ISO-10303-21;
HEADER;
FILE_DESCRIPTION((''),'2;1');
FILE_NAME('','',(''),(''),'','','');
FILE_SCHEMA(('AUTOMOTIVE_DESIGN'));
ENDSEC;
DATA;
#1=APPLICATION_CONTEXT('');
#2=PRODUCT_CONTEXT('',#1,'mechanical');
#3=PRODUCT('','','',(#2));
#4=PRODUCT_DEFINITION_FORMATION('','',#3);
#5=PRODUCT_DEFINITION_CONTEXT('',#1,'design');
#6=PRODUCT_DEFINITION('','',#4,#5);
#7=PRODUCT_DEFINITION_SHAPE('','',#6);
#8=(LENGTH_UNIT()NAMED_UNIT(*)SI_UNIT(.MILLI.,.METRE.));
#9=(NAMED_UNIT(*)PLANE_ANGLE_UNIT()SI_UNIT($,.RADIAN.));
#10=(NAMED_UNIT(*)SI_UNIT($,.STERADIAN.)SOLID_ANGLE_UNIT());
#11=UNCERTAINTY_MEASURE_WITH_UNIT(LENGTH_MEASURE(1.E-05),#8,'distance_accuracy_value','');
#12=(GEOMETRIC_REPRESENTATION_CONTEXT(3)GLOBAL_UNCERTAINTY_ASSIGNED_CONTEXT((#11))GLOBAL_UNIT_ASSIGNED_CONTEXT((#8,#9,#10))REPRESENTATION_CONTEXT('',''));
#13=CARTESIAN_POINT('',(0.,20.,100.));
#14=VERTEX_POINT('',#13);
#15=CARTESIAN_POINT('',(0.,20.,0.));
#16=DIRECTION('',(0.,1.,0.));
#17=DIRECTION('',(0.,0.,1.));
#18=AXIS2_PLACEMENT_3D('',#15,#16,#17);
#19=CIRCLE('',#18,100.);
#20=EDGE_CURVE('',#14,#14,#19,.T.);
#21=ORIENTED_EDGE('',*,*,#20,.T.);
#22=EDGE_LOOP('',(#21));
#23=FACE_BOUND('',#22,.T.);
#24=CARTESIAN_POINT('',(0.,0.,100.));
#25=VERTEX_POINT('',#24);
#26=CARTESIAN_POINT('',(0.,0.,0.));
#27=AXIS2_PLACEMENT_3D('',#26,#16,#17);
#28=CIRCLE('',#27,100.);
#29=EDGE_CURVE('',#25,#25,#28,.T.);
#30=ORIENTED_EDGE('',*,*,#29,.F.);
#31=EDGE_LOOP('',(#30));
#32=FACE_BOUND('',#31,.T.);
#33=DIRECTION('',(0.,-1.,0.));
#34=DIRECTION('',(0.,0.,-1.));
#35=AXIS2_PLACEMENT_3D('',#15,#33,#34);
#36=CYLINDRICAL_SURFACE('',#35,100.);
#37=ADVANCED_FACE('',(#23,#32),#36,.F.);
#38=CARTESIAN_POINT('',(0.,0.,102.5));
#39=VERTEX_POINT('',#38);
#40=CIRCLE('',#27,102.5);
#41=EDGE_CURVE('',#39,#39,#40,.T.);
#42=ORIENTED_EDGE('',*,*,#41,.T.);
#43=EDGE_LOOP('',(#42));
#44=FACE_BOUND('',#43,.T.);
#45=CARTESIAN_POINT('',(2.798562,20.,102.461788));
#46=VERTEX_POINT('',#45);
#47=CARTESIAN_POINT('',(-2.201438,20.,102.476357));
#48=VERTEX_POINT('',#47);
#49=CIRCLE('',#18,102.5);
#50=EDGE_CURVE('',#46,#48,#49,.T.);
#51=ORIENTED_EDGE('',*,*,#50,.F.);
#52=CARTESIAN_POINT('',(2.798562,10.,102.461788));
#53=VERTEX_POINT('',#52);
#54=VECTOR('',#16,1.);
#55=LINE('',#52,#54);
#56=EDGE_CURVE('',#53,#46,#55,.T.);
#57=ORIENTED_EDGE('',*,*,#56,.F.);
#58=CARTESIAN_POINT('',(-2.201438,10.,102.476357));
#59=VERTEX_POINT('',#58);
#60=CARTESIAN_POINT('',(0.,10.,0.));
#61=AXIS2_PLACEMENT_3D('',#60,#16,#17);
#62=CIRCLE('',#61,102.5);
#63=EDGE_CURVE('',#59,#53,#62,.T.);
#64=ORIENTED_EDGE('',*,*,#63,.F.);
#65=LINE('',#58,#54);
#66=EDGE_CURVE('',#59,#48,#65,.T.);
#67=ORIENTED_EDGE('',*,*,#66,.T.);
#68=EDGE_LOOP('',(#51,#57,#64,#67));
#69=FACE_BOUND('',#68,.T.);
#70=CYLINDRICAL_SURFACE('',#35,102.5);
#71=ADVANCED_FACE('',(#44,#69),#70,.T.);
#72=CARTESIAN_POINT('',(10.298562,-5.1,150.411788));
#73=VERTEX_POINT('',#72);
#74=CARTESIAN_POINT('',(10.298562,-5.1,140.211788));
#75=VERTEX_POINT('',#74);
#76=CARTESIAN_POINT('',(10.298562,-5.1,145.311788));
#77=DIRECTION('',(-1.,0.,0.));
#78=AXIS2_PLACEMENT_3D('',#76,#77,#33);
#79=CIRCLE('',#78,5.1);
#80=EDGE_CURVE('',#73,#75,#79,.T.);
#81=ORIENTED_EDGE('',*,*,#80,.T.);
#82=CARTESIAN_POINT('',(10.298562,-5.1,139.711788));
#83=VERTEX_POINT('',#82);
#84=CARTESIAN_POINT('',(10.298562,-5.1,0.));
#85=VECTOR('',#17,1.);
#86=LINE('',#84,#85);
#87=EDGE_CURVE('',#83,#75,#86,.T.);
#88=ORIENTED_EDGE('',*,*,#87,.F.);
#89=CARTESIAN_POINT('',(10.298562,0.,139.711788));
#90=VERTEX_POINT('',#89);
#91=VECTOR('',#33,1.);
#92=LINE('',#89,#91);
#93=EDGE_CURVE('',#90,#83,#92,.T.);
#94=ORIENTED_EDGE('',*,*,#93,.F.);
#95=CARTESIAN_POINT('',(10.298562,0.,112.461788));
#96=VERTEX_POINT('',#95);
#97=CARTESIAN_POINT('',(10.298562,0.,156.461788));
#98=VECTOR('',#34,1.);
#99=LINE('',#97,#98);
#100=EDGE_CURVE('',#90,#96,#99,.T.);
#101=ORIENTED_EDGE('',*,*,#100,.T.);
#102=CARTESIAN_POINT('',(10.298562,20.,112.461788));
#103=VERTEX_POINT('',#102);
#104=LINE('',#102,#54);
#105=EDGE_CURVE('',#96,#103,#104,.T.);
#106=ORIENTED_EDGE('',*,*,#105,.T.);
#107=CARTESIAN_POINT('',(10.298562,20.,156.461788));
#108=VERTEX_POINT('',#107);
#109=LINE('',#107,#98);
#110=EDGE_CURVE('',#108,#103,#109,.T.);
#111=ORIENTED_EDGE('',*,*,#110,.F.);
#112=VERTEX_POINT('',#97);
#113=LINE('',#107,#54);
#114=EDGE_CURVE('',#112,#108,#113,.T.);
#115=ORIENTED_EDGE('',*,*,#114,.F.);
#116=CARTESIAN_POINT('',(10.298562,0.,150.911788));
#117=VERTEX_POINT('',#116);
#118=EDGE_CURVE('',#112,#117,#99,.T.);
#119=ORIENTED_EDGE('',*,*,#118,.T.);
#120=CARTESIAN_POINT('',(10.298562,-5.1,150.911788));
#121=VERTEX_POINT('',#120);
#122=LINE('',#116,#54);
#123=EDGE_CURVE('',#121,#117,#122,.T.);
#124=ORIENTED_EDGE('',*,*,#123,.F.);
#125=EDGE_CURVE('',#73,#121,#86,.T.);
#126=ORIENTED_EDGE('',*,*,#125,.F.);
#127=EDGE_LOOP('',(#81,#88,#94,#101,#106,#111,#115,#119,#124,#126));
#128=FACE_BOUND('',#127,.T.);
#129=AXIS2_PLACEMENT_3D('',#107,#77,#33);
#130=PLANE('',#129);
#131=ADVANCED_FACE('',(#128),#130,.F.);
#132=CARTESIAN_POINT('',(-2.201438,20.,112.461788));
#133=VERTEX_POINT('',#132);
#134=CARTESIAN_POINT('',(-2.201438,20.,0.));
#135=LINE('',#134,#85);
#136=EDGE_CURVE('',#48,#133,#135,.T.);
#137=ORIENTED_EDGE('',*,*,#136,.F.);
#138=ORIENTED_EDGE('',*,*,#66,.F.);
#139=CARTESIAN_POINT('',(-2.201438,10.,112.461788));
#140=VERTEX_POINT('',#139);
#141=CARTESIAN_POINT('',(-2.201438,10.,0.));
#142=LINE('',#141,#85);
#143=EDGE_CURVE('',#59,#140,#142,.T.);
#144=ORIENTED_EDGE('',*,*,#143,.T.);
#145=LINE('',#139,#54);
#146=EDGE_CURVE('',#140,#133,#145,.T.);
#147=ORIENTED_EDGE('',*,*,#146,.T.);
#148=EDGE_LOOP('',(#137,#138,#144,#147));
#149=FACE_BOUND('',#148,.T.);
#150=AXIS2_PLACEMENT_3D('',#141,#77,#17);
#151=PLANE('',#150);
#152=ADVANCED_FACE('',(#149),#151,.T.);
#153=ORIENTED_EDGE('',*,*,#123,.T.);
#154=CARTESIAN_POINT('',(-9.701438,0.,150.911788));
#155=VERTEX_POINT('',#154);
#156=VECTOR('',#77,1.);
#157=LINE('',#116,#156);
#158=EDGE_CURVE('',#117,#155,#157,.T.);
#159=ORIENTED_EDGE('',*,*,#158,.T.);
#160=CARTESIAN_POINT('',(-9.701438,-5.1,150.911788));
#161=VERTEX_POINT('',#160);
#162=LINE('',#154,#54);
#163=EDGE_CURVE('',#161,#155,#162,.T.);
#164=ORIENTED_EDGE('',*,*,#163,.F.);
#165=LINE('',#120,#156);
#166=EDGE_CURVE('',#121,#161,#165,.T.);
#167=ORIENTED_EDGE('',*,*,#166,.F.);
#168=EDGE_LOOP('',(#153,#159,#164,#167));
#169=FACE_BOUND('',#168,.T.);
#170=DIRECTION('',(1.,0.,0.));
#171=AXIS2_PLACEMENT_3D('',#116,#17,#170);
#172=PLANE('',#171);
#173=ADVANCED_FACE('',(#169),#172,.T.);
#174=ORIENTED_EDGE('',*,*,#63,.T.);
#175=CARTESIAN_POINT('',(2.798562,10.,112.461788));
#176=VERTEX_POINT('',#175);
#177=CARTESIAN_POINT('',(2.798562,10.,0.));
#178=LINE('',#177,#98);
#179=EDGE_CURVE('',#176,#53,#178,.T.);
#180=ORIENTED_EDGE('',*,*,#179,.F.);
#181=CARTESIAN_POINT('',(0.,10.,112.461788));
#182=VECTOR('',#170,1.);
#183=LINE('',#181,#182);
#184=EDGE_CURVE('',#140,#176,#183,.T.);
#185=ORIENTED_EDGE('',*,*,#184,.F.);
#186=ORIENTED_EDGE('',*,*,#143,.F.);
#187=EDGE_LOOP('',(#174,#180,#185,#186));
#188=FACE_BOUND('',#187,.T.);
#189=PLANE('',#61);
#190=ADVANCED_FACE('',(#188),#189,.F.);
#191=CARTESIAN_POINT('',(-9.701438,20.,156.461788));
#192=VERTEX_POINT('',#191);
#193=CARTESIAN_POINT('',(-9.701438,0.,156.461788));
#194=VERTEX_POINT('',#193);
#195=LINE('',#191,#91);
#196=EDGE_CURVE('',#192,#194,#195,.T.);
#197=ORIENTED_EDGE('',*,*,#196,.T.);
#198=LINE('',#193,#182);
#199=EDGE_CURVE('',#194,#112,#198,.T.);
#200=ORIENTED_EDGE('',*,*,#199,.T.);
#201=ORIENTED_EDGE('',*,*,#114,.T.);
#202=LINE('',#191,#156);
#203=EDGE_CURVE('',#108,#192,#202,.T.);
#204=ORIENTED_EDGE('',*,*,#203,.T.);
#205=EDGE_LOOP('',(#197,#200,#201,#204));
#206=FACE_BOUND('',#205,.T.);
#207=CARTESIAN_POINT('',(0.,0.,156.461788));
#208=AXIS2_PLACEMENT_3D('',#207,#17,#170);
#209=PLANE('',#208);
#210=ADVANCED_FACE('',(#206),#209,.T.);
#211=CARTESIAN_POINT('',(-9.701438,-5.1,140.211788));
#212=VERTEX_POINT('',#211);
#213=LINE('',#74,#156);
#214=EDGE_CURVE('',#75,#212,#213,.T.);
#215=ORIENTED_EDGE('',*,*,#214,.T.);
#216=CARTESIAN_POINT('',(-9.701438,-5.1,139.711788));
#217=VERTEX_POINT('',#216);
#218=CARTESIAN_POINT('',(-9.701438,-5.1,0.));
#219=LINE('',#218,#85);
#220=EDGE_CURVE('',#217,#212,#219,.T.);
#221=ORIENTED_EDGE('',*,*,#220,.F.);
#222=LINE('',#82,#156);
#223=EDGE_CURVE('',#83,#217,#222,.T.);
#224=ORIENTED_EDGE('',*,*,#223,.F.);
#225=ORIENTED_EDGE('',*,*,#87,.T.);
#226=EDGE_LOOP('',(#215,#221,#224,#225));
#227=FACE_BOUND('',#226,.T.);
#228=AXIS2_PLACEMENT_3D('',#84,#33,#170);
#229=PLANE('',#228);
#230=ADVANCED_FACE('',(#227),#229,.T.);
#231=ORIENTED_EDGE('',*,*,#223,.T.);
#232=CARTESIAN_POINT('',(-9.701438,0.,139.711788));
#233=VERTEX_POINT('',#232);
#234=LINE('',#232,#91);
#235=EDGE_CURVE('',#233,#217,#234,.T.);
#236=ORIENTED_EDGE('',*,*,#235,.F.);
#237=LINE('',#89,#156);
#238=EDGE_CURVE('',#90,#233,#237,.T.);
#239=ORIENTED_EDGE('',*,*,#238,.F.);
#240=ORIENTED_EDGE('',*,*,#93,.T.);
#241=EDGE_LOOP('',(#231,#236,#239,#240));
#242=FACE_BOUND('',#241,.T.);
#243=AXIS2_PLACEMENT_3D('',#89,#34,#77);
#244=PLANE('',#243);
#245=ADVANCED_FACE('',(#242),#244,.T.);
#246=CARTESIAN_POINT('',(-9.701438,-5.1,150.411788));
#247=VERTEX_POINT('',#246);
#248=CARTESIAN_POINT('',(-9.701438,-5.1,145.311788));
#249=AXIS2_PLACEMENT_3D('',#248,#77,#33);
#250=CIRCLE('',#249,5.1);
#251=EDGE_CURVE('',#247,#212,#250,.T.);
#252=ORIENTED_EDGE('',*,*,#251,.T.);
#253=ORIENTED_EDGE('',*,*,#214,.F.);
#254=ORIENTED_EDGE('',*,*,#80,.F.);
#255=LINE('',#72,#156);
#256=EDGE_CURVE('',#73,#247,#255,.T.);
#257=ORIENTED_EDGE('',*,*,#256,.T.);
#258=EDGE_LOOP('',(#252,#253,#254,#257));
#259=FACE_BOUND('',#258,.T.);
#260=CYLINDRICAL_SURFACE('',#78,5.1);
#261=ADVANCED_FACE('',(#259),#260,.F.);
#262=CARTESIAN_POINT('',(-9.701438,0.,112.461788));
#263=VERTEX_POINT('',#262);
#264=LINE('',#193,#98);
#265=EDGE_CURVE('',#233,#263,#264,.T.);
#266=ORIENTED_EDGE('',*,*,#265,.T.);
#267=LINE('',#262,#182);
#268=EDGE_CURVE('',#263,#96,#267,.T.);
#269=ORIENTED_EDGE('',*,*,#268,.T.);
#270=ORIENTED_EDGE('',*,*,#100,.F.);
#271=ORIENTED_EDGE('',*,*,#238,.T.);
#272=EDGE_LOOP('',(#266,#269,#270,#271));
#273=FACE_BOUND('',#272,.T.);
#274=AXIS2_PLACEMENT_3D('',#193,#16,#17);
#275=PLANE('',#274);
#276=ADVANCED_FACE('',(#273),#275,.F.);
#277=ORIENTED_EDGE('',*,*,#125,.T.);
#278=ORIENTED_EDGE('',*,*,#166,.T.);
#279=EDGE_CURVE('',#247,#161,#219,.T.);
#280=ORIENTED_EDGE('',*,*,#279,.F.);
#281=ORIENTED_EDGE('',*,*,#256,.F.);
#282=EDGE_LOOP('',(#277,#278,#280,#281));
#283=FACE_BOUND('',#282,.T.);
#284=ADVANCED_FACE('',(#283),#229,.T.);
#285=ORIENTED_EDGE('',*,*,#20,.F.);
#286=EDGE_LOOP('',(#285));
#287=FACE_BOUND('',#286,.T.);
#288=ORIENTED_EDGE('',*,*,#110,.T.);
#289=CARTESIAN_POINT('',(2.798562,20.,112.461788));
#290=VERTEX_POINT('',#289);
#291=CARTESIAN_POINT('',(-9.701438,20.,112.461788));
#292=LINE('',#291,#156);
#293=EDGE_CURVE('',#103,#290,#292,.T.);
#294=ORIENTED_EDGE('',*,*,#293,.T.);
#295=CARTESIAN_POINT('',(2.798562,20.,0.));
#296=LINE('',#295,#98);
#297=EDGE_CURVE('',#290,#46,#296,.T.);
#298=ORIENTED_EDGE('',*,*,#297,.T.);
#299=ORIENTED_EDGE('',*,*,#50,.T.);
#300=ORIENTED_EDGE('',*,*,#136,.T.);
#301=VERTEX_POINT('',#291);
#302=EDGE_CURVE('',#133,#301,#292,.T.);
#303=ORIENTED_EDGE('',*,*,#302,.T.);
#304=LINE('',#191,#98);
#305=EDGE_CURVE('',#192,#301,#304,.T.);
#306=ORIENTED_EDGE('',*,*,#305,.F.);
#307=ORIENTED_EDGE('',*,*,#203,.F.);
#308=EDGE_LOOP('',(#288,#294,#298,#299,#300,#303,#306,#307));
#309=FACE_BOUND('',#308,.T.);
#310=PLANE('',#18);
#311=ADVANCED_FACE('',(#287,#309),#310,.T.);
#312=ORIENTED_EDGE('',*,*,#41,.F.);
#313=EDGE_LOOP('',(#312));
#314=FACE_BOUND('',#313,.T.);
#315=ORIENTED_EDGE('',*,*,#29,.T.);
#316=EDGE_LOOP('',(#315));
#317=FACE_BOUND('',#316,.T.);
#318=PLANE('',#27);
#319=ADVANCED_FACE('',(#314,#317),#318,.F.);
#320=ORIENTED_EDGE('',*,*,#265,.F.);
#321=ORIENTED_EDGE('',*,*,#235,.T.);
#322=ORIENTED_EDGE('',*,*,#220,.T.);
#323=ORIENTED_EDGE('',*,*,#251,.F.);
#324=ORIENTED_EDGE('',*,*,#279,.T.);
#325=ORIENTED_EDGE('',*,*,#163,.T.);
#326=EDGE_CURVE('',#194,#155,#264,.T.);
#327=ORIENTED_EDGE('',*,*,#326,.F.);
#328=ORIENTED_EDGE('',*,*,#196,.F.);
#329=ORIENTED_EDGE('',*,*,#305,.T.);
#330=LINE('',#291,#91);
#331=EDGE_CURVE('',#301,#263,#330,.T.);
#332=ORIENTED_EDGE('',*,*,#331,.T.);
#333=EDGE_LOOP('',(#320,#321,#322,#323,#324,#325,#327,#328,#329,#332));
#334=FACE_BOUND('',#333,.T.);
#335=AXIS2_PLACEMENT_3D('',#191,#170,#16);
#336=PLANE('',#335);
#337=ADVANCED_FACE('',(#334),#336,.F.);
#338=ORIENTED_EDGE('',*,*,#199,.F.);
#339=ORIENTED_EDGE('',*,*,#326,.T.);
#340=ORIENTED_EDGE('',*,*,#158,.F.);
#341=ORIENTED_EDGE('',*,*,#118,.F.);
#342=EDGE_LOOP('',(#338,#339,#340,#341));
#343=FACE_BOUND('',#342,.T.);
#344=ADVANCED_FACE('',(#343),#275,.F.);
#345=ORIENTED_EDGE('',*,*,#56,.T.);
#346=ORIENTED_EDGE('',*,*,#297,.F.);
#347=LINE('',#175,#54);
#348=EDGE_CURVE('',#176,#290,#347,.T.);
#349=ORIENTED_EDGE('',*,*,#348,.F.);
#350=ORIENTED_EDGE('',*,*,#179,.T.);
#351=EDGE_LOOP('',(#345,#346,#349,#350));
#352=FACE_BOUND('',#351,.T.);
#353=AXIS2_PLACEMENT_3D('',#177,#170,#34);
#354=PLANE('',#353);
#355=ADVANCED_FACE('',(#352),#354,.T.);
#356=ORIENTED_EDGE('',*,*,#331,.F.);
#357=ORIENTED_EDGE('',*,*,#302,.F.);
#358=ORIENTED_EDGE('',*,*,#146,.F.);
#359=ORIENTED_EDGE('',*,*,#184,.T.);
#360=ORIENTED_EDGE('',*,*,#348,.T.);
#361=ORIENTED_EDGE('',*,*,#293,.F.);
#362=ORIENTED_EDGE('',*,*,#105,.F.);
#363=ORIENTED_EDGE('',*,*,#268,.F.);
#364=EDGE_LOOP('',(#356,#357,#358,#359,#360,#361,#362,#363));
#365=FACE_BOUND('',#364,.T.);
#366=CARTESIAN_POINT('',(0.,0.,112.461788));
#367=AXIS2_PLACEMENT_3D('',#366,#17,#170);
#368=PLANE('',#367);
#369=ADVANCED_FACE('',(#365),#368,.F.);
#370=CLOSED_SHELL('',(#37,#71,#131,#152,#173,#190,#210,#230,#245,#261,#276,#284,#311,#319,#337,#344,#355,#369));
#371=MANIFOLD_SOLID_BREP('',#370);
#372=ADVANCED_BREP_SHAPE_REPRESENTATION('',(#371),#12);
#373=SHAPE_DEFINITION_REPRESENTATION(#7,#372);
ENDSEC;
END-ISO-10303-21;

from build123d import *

# Parameters (mm, degrees)
SKETCH1_R           = 102.5
SKETCH1_R_2         = 100
BOSS_EXTRUDE1_DEPTH = 20
BOSS_EXTRUDE2_START = -10
BOSS_EXTRUDE2_DEPTH = 10
SKETCH3_W           = 20
SKETCH3_H           = 20
BOSS_EXTRUDE3_DEPTH = 44
BOSS_EXTRUDE5_DEPTH = 20


with BuildPart() as part:
    # Sketch1 → Boss-Extrude1 (new body)
    with BuildSketch(Plane(origin=(0, 0, 0), x_dir=(1, 0, 0), z_dir=(0, 1, 0))):
        with Locations(Location((0, 0, 0), (0, 0, 270))):
            Circle(SKETCH1_R)
        with Locations(Location((0, 0, 0), (0, 0, 270))):
            Circle(SKETCH1_R_2, mode=Mode.SUBTRACT)
    extrude(amount=BOSS_EXTRUDE1_DEPTH)

    # Sketch2 → Boss-Extrude2 (add)
    with BuildSketch(Plane(origin=(0, 20, 0), x_dir=(1, 0, 0), z_dir=(0, 1, 0)).offset(BOSS_EXTRUDE2_START)):
        with BuildLine():
            ThreePointArc((2.798561789, -102.461788253), (0.298650634, -102.499564915), (-2.201438211, -102.476356638))
            Line((-2.201438211, -102.476356638), (-2.201438211, -112.461788253))
            Line((-2.201438211, -112.461788253), (2.798561789, -112.461788253))
            Line((2.798561789, -112.461788253), (2.798561789, -102.461788253))
        make_face()
    extrude(amount=BOSS_EXTRUDE2_DEPTH)

    # Sketch3 → Boss-Extrude3 (add)
    with BuildSketch(Plane.XY.offset(112.461788253)):
        with Locations((0.298561789, 10)):
            Rectangle(SKETCH3_W, SKETCH3_H)
    extrude(amount=BOSS_EXTRUDE3_DEPTH)

    # Sketch4 → Boss-Extrude5 (add)
    with BuildSketch(Plane.ZY.offset(9.701438211)):
        with BuildLine():
            Line((145.311788254, 0), (139.711788253, 0))
            Line((139.711788253, 0), (139.711788253, -5.1))
            Line((139.711788253, -5.1), (140.211788253, -5.1))
            ThreePointArc((140.211788253, -5.1), (141.705543669, -1.493755415), (145.311788254, 0))
        make_face()
        with BuildLine():
            Line((150.911788253, 0), (145.311788254, 0))
            ThreePointArc((145.311788254, 0), (148.918032837, -1.493755416), (150.411788253, -5.1))
            Line((150.411788253, -5.1), (150.911788253, -5.1))
            Line((150.911788253, -5.1), (150.911788253, 0))
        make_face()
    extrude(amount=-BOSS_EXTRUDE5_DEPTH)


solid = part.part
